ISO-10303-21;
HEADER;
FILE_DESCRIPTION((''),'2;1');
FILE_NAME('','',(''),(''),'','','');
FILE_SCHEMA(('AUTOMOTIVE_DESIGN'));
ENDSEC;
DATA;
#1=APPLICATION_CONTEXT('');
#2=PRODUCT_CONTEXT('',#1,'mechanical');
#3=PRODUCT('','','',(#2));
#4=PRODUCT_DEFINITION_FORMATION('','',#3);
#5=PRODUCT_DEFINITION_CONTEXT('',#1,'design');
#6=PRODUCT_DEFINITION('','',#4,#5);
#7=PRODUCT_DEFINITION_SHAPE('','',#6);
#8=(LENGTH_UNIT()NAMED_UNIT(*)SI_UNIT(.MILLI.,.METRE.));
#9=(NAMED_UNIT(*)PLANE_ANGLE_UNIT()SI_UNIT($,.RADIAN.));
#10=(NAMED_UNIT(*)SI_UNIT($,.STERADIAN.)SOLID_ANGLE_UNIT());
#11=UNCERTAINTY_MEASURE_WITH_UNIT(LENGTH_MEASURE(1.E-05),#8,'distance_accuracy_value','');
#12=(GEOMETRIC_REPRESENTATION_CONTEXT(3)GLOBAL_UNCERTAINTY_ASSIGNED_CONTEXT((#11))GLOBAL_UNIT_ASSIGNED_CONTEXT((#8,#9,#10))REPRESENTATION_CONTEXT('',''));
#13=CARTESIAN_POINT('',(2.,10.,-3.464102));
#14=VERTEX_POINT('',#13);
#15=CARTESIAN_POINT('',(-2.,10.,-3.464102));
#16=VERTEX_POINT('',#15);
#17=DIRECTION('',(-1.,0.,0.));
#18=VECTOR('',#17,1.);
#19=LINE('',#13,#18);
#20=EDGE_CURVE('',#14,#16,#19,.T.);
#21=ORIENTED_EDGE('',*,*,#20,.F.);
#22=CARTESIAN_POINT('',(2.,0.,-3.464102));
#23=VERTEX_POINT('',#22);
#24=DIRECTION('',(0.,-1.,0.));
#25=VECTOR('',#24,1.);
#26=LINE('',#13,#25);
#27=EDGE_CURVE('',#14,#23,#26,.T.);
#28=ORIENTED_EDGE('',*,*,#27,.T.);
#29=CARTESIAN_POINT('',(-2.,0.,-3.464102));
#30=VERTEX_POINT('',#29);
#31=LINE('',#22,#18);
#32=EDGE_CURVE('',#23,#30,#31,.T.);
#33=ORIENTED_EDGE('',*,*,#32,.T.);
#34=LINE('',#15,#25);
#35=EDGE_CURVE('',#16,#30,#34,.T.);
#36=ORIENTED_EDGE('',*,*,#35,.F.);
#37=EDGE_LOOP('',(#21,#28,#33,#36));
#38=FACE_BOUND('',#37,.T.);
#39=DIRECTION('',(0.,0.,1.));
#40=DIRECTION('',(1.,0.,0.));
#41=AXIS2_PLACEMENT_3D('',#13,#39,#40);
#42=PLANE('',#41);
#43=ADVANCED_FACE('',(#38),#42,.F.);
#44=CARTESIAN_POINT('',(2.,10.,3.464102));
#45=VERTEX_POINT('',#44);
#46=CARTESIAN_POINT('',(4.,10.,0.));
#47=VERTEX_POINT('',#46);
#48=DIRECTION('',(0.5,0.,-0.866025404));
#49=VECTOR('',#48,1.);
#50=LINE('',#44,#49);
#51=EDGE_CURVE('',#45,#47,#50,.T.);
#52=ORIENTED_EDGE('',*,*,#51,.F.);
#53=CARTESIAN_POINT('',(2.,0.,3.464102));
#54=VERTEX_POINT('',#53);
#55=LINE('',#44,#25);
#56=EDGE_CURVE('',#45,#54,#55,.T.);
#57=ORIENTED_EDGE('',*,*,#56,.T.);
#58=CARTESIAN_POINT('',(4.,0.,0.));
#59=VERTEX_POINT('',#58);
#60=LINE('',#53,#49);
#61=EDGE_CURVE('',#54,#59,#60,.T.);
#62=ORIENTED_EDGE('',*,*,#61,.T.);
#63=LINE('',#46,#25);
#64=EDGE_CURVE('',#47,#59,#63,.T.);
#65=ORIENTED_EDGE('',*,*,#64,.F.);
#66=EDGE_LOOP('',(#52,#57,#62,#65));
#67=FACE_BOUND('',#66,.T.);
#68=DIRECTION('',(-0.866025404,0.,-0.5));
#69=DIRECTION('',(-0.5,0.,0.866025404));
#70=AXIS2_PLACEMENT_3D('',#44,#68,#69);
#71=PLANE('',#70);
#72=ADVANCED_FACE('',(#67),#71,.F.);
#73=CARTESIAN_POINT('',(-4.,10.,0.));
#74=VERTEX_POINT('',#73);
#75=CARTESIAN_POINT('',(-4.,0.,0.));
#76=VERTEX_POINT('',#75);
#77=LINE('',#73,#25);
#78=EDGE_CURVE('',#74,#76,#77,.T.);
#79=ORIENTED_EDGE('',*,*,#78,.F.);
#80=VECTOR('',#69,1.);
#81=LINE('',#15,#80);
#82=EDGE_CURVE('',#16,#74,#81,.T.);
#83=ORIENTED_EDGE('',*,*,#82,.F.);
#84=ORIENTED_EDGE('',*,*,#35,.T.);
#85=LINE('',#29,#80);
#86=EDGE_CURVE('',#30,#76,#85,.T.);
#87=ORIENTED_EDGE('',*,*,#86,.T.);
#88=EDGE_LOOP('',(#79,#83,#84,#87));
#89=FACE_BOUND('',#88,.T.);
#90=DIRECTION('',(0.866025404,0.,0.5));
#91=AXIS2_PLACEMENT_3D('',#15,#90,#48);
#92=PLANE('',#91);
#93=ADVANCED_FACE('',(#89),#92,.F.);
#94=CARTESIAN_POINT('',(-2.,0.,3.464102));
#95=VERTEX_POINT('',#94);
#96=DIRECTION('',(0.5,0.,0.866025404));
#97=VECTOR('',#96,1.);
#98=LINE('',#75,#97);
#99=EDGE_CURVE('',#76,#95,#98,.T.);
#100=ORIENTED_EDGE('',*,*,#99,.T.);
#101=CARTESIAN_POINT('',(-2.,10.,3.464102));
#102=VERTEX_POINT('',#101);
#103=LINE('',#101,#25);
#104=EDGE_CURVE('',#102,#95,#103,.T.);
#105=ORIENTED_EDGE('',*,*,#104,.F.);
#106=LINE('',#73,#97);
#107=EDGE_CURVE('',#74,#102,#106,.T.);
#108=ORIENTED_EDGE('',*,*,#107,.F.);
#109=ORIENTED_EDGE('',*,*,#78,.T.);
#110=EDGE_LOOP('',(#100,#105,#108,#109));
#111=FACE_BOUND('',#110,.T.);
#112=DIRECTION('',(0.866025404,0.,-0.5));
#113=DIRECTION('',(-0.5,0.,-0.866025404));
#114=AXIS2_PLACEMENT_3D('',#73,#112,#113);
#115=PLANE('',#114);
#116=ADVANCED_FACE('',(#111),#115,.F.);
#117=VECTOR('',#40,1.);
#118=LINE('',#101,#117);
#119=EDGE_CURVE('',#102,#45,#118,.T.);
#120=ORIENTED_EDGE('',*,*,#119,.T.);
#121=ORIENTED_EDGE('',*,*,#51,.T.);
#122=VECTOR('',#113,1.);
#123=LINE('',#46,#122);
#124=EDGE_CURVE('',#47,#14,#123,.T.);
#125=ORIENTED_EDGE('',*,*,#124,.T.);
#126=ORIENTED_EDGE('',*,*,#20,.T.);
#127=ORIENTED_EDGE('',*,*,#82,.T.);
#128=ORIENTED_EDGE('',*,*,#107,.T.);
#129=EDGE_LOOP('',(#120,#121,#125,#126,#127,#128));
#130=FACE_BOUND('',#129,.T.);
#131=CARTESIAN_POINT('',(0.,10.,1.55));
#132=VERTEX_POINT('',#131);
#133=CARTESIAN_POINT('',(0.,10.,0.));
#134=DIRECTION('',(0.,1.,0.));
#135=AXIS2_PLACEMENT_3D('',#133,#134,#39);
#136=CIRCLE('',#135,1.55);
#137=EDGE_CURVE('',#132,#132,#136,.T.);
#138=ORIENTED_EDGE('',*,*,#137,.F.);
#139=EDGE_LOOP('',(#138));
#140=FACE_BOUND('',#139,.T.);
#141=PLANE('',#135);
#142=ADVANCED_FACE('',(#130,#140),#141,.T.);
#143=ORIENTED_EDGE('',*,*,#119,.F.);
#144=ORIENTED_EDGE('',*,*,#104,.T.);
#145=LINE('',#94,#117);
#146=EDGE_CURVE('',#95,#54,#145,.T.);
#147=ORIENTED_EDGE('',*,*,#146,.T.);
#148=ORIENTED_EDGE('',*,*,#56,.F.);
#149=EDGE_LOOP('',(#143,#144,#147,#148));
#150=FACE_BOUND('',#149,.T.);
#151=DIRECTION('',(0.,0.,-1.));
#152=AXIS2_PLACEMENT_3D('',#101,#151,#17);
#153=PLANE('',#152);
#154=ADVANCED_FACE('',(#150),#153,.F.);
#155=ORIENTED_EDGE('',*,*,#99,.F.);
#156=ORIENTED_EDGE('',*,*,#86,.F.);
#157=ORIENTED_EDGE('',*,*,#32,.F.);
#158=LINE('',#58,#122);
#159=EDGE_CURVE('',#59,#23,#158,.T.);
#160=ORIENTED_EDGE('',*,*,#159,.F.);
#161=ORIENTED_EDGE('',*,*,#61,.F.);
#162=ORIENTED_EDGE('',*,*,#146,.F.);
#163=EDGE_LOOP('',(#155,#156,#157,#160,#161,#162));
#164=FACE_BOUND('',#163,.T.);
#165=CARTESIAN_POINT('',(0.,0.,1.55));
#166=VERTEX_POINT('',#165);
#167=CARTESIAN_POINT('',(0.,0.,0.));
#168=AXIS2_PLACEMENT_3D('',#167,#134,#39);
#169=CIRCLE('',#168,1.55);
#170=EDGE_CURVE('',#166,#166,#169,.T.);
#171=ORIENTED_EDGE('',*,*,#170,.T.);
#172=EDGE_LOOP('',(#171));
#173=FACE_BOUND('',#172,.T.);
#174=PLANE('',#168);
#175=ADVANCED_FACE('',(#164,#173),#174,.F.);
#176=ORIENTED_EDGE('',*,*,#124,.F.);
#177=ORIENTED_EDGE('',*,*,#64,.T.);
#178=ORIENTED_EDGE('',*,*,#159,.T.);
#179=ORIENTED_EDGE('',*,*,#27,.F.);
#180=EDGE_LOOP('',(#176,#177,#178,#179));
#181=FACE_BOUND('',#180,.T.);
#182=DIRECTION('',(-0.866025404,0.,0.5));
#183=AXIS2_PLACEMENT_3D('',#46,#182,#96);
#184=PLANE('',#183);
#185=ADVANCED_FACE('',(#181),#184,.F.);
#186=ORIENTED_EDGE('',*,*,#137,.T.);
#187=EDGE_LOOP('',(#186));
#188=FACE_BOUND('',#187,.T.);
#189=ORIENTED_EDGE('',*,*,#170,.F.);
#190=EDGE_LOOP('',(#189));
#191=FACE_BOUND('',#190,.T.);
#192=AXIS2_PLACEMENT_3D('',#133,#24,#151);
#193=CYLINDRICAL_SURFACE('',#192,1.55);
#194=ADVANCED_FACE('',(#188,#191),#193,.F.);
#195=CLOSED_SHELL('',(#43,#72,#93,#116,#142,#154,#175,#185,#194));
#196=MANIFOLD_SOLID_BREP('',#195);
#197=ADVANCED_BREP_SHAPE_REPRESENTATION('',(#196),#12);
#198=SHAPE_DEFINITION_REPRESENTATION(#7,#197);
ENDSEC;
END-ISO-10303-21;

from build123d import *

# Parameters (mm, degrees)
SKETCH_1_R      = 1.55
EXTRUDE_1_DEPTH = 10


with BuildPart() as part:
    # 草圖1 → 填料-伸長1 (new body)
    with BuildSketch(Plane(origin=(0, 0, 0), x_dir=(1, 0, 0), z_dir=(0, 1, 0))):
        Polygon((2, 3.464101615), (-2, 3.464101615), (-4, 0), (-2, -3.464101615), (2, -3.464101615), (4, 0), align=None)
        with Locations(Location((0, 0, 0), (0, 0, 270))):
            Circle(SKETCH_1_R, mode=Mode.SUBTRACT)
    extrude(amount=EXTRUDE_1_DEPTH)


solid = part.part
